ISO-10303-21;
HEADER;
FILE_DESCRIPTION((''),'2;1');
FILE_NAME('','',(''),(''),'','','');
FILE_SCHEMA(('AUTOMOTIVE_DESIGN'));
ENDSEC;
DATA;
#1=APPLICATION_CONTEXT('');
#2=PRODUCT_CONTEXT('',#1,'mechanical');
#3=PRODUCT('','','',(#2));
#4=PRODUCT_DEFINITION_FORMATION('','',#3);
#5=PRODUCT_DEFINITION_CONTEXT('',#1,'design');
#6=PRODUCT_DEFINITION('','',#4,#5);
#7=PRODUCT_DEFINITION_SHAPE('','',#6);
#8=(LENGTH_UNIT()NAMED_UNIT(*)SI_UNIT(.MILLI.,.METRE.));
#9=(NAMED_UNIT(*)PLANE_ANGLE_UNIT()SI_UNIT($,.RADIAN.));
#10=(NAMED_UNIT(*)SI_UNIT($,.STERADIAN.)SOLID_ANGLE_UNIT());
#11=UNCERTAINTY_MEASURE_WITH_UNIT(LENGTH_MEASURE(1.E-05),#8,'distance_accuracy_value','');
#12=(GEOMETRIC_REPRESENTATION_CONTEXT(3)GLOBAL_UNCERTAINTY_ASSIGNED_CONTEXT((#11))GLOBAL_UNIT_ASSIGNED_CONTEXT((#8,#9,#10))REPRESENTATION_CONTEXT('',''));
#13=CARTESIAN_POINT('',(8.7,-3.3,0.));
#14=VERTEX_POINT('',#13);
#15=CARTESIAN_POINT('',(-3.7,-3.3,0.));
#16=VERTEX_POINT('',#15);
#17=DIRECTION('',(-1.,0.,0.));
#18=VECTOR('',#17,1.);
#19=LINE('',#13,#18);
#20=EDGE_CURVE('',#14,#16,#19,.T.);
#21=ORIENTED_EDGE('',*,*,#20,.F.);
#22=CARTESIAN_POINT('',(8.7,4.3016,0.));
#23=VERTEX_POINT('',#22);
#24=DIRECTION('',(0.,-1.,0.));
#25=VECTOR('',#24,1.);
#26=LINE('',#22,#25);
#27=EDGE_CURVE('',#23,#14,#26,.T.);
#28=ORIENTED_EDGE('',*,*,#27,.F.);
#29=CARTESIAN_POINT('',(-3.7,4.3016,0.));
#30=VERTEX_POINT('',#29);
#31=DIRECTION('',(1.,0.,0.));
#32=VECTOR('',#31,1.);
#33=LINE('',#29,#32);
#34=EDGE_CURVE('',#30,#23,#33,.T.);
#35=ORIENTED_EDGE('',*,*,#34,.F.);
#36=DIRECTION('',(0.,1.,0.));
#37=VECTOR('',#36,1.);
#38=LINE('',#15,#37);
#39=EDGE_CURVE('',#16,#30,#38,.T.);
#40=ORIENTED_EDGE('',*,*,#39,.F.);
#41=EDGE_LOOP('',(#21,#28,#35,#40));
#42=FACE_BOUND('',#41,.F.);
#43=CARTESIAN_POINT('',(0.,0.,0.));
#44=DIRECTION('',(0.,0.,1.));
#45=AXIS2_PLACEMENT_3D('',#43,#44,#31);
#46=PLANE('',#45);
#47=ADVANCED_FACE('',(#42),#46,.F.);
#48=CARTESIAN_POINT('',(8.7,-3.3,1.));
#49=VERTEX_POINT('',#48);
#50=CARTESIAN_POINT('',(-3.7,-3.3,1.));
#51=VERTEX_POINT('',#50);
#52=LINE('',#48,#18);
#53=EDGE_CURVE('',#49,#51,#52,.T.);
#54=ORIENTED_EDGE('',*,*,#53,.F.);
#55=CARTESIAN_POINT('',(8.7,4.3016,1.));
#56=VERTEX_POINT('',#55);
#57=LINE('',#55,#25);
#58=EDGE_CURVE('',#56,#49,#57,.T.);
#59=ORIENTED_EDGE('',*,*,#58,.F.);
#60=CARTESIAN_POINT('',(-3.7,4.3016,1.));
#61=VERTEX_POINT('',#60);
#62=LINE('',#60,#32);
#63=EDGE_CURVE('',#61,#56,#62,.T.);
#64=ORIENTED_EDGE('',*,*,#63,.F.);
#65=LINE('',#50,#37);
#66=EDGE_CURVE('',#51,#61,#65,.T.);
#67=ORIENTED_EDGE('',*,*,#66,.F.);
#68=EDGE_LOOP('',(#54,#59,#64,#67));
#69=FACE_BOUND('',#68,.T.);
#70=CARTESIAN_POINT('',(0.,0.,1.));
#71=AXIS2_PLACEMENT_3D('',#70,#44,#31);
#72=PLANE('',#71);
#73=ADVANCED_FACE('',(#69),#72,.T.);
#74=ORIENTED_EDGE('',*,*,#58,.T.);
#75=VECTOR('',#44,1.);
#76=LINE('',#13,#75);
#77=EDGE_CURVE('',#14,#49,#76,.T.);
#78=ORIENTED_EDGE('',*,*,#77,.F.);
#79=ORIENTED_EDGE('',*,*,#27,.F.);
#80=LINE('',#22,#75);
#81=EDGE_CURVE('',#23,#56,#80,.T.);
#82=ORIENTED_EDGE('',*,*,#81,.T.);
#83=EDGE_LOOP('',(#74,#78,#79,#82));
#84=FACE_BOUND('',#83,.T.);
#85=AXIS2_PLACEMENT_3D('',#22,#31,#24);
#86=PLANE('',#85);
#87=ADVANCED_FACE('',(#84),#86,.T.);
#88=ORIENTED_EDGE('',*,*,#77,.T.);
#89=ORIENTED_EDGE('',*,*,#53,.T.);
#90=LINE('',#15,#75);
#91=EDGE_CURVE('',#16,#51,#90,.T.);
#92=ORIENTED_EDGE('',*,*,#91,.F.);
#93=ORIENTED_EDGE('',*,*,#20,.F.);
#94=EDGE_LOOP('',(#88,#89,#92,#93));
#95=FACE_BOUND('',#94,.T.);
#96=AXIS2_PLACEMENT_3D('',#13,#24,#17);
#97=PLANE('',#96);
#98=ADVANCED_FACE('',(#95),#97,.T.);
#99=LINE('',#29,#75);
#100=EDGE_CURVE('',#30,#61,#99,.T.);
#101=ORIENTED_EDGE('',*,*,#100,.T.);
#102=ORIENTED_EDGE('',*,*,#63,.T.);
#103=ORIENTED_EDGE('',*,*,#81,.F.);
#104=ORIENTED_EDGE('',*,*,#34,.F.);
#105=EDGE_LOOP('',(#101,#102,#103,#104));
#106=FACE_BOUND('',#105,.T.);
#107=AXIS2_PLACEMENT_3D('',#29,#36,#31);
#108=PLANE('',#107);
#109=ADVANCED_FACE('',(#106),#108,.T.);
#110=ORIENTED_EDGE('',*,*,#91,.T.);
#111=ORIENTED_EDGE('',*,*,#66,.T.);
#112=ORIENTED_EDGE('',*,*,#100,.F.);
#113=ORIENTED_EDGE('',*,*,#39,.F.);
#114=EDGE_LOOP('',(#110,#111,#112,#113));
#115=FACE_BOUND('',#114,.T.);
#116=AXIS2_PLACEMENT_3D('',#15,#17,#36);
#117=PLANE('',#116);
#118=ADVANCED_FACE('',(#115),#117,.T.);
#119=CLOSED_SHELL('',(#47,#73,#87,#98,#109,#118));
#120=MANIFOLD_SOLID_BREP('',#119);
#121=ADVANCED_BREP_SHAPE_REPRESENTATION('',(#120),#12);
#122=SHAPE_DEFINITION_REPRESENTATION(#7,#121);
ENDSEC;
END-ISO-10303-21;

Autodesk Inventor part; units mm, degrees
ref_plane "YZ Plane" through (0, 0, 0) normal (1, 0, 0) x (0, 1, 0)
ref_plane "XZ Plane" through (0, 0, 0) normal (0, 1, 0) x (-1, 0, 0)
ref_plane "XY Plane" through (0, 0, 0) normal (0, 0, 1) x (1, 0, 0)
sketch "SCREWTERMINAL-5MM-2, J1_SCREWTERMINAL-5MM-2_24" plane through (0, 0, 0) normal (0, 0, 1) x (1, 0, 0)
  line L0 (-3.7, 4.3016) -> (8.7, 4.3016)
  line L1 (8.7, 4.3016) -> (8.7, -3.3)
  line L2 (8.7, -3.3) -> (-3.7, -3.3)
  line L3 (-3.7, -3.3) -> (-3.7, 4.3016)
extrude "Extrusion1" add sketch "SCREWTERMINAL-5MM-2, J1_SCREWTERMINAL-5MM-2_24" along normal blind 1
properties part number "J1_SCREWTERMINAL-5MM-2"
